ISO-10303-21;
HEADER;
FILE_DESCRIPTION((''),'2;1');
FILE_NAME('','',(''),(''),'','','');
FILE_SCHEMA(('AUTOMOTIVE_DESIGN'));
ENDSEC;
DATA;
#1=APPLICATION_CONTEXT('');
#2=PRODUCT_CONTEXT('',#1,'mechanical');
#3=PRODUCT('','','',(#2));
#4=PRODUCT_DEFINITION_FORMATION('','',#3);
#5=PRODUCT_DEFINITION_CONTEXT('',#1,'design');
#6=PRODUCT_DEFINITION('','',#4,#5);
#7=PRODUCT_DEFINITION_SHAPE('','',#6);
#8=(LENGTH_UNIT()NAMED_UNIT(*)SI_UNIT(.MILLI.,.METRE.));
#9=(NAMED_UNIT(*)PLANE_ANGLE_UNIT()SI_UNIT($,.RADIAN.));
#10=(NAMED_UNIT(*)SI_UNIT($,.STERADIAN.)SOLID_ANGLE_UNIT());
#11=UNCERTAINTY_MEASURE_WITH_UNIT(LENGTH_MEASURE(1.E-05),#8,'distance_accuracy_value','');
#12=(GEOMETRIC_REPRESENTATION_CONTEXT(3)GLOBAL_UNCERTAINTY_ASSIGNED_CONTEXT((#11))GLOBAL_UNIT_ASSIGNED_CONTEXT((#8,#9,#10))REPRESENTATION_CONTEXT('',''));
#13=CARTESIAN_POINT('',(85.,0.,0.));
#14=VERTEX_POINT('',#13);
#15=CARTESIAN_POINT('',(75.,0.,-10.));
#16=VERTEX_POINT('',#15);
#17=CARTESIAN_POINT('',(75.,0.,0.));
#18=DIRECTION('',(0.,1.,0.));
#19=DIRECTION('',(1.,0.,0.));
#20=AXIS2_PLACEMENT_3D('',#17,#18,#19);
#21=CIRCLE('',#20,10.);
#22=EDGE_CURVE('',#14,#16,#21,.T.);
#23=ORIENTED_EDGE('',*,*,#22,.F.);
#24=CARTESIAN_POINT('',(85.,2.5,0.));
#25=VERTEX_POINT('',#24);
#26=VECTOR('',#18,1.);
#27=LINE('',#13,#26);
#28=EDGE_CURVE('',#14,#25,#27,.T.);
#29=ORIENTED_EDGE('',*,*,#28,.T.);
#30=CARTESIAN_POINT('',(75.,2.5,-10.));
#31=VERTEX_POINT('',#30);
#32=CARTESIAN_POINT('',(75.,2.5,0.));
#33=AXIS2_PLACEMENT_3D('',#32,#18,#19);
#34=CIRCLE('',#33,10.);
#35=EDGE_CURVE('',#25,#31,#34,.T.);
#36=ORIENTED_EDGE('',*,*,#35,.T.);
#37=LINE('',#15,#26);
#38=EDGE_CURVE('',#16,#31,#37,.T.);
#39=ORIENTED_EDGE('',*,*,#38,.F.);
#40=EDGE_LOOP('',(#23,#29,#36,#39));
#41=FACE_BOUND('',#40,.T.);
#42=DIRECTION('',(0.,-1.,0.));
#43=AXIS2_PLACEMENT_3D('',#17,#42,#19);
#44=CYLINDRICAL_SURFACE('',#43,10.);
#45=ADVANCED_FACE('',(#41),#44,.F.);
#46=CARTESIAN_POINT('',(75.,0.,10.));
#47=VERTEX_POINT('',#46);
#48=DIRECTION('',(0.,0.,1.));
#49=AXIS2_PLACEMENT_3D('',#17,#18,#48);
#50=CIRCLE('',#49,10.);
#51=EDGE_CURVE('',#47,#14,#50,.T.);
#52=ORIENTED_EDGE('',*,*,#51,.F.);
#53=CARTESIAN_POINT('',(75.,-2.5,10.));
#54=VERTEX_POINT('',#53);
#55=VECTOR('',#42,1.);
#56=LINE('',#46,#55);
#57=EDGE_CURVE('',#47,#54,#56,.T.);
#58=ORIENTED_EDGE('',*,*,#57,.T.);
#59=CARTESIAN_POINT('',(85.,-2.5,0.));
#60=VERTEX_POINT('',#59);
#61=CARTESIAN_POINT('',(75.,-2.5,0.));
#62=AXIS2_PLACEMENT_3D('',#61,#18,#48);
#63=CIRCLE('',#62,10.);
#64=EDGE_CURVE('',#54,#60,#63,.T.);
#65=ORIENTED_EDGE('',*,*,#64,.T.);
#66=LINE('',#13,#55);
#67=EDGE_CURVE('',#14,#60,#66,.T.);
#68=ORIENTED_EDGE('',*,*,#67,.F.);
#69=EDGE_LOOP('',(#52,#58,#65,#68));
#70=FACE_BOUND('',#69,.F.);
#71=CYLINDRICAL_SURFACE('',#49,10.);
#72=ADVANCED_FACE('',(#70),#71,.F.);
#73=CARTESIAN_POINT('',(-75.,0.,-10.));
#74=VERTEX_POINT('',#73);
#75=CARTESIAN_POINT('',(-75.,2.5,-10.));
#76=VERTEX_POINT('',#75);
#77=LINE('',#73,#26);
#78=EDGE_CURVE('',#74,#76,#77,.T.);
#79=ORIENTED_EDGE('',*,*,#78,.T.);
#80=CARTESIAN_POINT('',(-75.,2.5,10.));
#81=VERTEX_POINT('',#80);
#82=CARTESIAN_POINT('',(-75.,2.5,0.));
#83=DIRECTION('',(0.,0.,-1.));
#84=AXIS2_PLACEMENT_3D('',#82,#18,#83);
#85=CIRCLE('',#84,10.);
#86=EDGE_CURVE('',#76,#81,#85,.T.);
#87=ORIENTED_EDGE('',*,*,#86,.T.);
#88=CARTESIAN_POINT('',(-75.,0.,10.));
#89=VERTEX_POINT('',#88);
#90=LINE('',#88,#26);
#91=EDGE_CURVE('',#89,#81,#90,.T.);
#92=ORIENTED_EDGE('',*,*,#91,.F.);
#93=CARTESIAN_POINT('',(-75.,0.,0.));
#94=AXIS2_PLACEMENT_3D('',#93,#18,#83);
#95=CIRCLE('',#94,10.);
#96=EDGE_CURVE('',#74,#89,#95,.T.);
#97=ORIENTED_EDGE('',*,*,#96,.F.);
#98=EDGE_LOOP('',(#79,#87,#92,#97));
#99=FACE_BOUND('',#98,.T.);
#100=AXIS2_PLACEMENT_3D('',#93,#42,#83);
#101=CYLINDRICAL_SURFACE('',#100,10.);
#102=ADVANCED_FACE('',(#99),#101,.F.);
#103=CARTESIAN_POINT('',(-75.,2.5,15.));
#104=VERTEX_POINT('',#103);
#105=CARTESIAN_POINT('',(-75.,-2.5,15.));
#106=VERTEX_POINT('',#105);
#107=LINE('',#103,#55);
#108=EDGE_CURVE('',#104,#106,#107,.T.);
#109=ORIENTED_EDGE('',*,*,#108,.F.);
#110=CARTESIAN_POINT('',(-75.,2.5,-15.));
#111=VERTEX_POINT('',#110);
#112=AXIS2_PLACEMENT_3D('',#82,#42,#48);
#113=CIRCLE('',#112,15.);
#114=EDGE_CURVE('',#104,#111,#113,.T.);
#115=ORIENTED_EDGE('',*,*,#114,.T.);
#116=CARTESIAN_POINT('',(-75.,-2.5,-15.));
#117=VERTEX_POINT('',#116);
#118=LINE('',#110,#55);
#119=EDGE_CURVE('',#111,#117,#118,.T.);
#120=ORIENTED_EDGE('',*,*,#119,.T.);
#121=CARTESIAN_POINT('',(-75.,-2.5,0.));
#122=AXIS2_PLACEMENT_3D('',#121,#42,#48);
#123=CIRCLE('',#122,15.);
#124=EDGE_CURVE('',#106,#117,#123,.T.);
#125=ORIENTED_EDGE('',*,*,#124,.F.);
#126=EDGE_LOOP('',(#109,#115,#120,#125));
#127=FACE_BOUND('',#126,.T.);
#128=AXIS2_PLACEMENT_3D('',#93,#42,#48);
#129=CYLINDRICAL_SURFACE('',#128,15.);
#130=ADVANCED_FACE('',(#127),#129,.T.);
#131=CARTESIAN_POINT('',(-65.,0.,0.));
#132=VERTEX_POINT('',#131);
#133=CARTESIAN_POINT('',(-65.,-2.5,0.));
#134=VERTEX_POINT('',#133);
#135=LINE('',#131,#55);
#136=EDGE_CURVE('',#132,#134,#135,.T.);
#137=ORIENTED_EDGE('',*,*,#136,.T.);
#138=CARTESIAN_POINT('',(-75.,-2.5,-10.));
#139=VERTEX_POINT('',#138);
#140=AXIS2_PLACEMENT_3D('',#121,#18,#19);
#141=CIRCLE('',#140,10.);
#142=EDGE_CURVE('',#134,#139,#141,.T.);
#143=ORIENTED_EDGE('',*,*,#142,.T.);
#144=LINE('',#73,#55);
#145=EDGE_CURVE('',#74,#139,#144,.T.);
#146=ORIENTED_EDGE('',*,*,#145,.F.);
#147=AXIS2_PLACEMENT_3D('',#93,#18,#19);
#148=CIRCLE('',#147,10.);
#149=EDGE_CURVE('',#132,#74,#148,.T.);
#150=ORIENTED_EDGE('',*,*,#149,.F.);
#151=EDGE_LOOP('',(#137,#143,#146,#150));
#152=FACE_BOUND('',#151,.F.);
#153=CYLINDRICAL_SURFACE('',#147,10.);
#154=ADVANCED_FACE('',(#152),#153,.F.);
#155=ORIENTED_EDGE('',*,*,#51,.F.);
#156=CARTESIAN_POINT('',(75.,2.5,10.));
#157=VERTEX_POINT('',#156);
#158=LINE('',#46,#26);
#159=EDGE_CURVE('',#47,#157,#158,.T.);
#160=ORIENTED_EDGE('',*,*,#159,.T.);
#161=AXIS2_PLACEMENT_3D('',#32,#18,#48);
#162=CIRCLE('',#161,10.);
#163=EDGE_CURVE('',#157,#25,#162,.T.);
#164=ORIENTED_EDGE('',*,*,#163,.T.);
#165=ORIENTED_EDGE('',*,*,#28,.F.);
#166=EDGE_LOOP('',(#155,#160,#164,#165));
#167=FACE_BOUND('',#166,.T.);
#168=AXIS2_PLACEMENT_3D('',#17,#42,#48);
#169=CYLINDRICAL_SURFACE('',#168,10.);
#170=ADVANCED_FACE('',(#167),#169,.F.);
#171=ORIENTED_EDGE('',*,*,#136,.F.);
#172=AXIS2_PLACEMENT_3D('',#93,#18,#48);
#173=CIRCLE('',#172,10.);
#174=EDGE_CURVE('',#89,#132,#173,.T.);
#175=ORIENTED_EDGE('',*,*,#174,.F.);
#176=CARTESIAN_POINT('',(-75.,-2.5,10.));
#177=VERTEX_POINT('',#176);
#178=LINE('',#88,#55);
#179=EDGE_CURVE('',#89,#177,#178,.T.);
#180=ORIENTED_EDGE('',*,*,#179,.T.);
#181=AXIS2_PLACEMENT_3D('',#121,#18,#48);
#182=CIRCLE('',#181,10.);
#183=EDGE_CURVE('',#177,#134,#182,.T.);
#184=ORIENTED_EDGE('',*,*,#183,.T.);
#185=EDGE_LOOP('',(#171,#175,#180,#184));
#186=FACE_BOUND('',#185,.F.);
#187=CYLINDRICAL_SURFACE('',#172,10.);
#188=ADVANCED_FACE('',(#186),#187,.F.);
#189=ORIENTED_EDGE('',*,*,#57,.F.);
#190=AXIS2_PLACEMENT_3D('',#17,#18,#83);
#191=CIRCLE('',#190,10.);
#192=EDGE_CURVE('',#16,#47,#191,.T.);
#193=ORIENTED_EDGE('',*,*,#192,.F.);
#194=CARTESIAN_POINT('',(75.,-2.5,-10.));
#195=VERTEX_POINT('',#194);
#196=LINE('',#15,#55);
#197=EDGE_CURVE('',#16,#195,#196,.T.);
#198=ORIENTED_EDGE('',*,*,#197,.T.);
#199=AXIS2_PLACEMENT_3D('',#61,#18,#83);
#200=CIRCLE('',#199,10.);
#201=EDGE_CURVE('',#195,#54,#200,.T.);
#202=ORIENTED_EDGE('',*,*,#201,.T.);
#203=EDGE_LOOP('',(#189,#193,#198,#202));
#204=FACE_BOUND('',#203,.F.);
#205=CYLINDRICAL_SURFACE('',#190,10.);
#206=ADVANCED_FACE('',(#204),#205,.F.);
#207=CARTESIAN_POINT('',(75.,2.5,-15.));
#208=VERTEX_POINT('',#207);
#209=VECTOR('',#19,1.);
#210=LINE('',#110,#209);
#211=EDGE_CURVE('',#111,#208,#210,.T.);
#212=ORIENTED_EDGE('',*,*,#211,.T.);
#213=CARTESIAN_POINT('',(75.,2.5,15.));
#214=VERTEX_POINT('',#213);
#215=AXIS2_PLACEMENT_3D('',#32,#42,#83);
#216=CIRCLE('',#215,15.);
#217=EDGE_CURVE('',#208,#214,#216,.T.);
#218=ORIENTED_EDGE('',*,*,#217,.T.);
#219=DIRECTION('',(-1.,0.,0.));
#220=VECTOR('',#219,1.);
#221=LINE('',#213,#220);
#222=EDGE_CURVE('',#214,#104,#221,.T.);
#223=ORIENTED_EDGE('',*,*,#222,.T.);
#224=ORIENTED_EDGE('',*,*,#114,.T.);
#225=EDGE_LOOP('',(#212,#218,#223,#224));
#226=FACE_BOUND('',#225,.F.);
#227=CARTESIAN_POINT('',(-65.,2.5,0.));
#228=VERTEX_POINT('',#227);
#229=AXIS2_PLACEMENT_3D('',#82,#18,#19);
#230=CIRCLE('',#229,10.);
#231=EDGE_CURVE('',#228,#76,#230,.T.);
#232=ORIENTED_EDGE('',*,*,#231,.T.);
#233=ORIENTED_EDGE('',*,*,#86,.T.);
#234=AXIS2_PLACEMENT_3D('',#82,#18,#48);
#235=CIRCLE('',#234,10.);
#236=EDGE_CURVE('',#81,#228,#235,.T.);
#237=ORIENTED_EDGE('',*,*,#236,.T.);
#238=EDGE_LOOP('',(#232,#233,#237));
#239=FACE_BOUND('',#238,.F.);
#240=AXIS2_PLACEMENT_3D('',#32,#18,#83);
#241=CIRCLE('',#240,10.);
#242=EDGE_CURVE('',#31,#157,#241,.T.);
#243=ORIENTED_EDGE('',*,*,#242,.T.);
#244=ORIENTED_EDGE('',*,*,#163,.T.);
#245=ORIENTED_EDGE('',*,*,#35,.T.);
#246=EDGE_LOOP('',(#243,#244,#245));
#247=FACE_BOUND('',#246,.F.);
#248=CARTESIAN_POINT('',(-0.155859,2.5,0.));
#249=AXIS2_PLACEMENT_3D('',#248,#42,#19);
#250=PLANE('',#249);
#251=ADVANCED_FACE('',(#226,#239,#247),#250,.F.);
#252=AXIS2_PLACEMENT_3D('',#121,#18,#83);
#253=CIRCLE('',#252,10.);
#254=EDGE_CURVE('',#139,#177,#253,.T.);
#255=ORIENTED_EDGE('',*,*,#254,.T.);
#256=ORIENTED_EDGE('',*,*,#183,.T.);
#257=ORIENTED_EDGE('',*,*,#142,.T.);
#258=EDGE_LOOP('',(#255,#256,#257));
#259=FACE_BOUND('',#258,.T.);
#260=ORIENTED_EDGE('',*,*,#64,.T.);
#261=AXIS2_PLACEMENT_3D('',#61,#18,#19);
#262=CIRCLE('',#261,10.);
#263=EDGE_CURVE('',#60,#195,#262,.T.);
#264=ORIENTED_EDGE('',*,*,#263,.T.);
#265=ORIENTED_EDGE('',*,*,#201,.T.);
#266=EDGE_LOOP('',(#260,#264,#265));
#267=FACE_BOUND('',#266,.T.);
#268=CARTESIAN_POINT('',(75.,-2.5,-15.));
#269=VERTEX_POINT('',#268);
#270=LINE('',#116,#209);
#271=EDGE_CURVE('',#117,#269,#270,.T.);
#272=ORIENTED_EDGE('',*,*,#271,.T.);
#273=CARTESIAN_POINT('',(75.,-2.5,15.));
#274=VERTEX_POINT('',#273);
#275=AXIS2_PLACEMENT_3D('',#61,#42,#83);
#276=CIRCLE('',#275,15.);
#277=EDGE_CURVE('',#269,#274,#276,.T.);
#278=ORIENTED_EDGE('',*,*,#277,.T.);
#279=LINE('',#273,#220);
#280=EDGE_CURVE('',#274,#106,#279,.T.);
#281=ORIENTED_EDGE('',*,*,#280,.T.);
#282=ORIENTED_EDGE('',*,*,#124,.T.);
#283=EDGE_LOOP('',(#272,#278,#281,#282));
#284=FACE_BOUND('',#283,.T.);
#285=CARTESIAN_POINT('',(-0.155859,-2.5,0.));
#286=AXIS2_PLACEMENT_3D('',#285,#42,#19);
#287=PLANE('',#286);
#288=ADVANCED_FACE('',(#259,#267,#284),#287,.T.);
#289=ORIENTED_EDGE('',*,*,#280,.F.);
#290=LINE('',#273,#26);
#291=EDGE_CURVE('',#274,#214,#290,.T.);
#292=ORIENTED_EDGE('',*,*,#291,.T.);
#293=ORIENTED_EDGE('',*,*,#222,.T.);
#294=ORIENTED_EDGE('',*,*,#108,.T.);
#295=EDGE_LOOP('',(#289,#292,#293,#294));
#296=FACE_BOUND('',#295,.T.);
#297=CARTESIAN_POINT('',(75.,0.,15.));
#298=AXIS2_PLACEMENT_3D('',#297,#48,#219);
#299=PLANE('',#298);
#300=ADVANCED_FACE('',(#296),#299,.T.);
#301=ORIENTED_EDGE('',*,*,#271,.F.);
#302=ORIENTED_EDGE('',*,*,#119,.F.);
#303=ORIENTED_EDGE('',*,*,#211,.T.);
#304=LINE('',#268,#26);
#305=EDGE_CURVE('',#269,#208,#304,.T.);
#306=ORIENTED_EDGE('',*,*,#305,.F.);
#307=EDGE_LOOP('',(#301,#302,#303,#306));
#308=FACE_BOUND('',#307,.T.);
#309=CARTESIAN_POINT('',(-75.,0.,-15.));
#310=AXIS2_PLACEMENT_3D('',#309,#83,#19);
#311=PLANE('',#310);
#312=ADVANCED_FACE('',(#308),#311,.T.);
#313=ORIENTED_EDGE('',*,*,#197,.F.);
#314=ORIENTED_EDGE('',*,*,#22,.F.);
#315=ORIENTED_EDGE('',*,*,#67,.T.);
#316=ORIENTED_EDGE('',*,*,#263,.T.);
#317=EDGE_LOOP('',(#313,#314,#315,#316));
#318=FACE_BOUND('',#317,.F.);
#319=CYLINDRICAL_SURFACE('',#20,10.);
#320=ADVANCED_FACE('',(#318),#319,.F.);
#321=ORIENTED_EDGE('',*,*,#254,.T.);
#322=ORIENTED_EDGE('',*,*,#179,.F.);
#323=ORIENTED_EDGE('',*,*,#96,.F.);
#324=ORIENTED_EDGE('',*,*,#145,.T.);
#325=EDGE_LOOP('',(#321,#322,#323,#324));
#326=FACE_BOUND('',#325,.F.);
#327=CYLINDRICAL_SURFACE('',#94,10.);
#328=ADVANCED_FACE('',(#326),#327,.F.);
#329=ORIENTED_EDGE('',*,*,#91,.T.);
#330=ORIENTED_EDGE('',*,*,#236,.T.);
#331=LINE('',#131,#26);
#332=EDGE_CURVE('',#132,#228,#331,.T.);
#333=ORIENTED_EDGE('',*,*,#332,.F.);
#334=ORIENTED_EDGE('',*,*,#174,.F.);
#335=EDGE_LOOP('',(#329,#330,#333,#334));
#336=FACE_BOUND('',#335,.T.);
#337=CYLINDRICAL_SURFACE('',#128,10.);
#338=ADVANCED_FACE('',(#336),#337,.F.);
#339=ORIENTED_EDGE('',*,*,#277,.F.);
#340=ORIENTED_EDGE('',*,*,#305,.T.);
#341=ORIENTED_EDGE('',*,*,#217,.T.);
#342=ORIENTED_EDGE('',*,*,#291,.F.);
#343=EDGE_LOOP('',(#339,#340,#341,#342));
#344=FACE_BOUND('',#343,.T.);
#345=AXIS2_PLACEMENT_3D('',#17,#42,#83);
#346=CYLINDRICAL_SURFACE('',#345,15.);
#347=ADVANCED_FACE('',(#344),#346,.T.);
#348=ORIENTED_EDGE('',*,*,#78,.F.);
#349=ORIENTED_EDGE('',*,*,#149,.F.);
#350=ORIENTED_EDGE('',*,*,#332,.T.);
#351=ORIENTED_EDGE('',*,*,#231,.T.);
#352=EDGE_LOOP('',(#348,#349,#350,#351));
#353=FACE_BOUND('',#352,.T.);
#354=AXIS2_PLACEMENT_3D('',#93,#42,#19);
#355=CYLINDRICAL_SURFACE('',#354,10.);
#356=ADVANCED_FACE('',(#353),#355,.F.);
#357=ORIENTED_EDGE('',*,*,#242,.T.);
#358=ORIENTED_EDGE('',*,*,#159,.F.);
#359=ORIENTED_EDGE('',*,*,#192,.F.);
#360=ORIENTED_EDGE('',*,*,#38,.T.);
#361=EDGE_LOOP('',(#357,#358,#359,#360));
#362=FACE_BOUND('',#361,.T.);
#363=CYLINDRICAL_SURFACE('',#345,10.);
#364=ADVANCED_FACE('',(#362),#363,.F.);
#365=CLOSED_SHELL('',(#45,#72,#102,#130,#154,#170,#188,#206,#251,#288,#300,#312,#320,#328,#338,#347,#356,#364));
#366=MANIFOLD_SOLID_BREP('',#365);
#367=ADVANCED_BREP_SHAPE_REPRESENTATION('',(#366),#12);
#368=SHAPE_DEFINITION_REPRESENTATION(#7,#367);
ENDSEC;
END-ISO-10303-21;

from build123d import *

# Parameters (mm, degrees)
F1_DEPTH = 2.5


with BuildPart() as f1:
    # F0 (on Front) → F1 (new body, symmetric)
    with BuildSketch(Plane.XZ):
        with BuildLine():
            Line((75, 15), (-75, 15))
            Line((-75, 15), (-75, 10))
            ThreePointArc((-75, 10), (-67.9289321881, 7.0710678119), (-65, 0))
            ThreePointArc((-65, 0), (-67.9289321881, -7.0710678119), (-75, -10))
            Line((-75, -10), (-75, -15))
            Line((-75, -15), (75, -15))
            Line((75, -15), (75, -10))
            ThreePointArc((75, -10), (65, 0), (75, 10))
            Line((75, 10), (75, 15))
        make_face()
        with BuildLine():
            Line((-75, 10), (-75, 15))
            ThreePointArc((-75, 15), (-90, 0), (-75, -15))
            Line((-75, -15), (-75, -10))
            ThreePointArc((-75, -10), (-85, 0), (-75, 10))
        make_face()
        with BuildLine():
            ThreePointArc((75, -15), (90, 0), (75, 15))
            Line((75, 15), (75, 10))
            ThreePointArc((75, 10), (82.0710678119, 7.0710678119), (85, 0))
            ThreePointArc((85, 0), (82.0710678119, -7.0710678119), (75, -10))
            Line((75, -10), (75, -15))
        make_face()
    extrude(amount=F1_DEPTH, both=True)


solid = f1.part
